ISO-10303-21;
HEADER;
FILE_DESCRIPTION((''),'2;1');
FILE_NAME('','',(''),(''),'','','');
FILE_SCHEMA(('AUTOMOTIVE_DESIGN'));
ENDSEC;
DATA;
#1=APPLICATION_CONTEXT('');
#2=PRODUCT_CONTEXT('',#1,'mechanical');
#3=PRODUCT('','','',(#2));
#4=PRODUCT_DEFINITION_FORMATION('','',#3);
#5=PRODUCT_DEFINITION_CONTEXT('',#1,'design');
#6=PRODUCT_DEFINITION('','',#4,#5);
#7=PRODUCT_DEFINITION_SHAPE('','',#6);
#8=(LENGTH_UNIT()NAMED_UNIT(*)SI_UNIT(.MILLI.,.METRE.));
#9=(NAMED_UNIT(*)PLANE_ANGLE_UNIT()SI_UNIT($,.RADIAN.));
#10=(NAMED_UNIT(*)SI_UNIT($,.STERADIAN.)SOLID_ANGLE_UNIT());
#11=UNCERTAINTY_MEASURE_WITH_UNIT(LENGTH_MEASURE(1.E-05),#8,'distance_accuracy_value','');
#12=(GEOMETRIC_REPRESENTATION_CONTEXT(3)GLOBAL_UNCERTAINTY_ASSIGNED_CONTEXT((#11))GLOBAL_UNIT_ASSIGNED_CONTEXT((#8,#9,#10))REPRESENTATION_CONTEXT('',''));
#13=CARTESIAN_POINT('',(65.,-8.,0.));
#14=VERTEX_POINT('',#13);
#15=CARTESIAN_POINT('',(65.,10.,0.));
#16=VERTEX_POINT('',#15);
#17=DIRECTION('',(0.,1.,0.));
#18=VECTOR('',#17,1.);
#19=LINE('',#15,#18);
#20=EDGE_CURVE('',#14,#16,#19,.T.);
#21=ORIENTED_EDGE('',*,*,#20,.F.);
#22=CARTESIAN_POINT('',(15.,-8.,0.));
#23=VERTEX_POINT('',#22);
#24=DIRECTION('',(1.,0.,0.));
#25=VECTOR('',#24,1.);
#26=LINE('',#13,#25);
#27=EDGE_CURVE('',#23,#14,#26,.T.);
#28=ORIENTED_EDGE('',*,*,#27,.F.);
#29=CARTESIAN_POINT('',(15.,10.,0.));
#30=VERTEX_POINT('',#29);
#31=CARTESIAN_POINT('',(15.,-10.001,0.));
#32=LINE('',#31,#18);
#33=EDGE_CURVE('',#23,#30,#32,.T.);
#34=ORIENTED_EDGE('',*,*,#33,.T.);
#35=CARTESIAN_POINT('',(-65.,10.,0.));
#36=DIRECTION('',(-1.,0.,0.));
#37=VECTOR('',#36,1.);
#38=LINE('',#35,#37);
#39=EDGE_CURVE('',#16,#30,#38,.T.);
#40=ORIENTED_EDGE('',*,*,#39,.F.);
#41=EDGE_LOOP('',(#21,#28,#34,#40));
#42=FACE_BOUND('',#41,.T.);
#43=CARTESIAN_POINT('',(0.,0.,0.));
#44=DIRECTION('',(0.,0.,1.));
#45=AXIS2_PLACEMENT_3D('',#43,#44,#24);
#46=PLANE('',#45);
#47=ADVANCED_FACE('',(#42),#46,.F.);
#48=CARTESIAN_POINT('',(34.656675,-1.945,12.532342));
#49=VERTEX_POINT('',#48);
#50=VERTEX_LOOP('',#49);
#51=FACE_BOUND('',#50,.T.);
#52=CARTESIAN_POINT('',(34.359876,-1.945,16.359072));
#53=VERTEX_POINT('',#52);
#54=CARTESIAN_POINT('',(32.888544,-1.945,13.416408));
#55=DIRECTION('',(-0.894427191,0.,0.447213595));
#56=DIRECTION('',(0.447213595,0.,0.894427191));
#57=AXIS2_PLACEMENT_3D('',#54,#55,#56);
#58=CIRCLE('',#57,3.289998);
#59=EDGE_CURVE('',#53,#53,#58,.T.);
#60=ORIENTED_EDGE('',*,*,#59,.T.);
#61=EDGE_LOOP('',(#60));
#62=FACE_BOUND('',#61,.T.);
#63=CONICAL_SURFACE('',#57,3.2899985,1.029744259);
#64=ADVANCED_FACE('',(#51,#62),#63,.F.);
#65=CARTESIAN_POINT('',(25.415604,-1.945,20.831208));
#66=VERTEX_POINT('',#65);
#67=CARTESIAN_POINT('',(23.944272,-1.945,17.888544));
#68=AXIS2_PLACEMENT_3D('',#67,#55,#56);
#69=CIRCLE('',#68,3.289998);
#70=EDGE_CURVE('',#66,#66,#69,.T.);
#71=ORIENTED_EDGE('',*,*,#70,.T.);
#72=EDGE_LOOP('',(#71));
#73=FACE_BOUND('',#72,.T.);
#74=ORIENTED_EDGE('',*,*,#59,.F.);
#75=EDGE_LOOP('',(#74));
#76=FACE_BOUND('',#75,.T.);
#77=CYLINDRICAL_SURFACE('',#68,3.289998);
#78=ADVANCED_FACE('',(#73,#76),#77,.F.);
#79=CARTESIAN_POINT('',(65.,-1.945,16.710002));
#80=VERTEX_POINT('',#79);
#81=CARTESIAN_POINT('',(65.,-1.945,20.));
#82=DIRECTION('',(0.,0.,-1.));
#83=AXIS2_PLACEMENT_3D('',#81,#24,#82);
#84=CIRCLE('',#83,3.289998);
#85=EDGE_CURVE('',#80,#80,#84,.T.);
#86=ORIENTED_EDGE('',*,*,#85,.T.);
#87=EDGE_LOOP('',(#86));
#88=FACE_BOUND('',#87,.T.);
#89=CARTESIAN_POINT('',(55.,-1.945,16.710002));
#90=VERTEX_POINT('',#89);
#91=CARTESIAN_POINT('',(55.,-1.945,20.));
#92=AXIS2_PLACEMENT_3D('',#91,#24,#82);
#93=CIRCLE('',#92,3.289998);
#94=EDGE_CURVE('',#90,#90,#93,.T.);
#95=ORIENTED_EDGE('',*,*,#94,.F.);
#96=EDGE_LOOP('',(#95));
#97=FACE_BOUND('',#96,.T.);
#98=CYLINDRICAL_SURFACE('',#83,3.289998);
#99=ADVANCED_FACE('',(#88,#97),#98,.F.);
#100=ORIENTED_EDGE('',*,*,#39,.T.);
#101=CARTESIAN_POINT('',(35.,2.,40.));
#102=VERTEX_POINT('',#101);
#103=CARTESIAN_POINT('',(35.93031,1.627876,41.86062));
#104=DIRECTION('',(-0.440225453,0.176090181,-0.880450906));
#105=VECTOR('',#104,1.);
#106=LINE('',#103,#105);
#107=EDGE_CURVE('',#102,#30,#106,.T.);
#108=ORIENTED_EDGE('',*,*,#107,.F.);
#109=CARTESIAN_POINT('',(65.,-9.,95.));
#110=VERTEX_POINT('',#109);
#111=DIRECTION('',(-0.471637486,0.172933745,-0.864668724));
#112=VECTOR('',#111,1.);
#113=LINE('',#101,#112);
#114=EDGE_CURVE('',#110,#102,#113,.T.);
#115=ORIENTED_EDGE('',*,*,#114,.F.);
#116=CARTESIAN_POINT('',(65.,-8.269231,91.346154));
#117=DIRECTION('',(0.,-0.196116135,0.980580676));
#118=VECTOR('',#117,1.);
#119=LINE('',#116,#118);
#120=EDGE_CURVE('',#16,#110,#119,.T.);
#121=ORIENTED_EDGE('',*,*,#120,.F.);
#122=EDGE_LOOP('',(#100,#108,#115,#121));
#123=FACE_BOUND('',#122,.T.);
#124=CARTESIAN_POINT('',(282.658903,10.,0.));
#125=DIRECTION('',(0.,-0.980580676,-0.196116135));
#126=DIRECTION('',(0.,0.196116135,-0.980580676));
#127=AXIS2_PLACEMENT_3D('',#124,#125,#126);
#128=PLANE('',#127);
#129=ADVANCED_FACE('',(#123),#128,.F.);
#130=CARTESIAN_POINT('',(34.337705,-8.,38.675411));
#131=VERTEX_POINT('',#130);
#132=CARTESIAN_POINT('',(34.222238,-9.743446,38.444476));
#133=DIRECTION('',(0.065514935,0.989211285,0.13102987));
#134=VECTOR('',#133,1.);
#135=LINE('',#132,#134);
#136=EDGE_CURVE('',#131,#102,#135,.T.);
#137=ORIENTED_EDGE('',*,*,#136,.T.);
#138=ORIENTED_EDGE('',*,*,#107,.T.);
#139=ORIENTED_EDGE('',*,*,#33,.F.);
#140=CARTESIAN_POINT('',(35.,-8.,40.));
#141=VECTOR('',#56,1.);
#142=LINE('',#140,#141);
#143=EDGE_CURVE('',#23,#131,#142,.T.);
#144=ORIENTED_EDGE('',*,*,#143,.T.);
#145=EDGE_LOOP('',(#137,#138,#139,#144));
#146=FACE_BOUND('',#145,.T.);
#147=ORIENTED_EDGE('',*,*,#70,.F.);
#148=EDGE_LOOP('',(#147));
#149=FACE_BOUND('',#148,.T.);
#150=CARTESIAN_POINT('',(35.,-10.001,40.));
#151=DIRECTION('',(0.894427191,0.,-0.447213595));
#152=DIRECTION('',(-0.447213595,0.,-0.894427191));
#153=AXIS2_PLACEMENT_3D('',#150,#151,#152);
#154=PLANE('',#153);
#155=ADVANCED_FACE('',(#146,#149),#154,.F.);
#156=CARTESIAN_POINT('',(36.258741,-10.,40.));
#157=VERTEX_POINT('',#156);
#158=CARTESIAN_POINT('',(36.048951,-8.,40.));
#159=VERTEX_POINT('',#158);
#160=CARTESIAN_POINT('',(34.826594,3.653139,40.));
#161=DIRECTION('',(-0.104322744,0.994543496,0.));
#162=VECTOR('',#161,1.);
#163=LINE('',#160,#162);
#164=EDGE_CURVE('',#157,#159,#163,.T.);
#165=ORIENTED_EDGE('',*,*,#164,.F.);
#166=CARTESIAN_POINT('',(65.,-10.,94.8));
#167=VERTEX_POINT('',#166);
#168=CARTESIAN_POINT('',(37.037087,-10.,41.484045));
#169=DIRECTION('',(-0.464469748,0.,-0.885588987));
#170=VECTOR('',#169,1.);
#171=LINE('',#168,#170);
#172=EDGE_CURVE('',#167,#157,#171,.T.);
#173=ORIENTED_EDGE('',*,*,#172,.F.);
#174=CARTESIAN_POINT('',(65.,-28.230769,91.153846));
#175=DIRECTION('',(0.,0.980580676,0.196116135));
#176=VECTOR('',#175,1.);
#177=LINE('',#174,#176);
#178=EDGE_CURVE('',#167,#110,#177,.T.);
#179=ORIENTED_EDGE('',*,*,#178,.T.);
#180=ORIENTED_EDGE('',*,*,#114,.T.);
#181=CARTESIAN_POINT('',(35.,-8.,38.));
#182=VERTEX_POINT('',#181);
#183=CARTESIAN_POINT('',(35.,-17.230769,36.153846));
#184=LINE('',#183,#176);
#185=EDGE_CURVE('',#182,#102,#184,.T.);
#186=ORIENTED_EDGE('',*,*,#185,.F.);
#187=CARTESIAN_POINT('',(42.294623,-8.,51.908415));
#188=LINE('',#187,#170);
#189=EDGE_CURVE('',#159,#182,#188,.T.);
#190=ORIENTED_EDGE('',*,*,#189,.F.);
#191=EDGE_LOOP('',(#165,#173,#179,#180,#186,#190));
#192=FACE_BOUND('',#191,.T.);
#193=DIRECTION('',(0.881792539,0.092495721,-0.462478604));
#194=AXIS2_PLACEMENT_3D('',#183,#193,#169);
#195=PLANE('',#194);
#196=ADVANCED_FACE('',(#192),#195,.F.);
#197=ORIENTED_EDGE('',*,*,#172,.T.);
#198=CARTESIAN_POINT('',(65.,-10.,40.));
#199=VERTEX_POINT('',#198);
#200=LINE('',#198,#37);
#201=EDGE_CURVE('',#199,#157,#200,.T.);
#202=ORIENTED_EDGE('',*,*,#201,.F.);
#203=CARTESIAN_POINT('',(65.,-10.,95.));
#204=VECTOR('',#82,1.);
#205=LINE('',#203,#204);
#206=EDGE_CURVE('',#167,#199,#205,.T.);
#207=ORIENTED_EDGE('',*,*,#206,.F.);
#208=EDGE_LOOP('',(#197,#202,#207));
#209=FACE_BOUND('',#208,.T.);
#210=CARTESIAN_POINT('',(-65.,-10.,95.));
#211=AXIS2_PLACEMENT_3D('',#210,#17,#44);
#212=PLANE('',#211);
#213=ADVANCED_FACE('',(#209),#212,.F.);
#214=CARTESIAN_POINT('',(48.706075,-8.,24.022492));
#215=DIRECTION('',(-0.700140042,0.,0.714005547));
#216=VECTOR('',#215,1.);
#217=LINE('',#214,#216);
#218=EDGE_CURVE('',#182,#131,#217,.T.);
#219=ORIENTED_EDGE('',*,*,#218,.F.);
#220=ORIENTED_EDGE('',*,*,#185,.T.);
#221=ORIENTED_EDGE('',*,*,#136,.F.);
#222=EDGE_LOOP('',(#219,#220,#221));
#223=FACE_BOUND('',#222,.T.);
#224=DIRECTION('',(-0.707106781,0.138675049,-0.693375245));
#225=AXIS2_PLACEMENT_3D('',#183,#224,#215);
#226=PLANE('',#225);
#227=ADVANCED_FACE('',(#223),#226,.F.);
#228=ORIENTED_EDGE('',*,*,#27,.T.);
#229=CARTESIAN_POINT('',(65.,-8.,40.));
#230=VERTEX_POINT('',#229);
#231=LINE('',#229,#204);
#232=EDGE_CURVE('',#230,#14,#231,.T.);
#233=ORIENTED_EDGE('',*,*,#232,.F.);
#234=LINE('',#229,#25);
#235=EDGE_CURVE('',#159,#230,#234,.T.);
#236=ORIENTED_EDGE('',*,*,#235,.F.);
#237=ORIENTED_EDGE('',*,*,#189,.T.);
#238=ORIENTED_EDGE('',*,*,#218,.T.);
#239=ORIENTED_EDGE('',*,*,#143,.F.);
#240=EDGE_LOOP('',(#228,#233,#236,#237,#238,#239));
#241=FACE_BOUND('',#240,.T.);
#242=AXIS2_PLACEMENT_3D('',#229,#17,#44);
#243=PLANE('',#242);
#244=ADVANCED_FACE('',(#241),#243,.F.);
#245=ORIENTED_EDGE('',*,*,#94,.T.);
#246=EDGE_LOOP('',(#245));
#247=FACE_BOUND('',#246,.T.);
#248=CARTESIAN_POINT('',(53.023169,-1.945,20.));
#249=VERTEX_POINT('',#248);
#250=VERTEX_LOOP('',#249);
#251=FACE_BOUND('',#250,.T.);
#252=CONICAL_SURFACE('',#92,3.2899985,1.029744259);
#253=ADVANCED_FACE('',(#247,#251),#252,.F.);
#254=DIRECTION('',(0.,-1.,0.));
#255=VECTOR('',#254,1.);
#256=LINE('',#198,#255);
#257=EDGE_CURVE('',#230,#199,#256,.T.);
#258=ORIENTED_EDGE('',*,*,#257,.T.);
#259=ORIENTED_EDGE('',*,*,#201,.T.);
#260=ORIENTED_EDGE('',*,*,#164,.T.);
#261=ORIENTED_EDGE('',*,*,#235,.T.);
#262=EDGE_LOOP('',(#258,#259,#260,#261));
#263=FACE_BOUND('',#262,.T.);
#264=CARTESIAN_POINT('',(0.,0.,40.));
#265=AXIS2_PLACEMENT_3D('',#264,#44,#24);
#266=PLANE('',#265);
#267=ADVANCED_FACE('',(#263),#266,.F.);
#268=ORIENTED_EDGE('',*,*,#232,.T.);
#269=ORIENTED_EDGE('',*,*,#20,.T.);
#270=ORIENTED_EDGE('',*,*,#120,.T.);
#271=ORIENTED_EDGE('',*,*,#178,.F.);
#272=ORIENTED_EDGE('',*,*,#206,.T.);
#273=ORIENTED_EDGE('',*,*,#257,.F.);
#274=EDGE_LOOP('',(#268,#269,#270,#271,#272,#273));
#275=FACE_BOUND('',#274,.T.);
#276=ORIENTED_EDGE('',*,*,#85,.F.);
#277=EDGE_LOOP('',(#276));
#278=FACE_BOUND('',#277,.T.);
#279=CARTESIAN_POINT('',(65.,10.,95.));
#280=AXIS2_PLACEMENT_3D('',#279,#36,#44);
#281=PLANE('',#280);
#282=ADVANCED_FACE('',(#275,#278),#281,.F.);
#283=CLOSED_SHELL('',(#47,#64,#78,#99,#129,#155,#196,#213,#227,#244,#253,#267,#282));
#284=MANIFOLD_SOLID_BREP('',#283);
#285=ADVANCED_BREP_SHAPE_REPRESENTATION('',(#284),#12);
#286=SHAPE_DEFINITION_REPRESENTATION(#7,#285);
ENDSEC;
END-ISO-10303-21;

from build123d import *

# Parameters (mm, degrees)
ESBO_O1_W                                      = 130
ESBO_O1_H                                      = 20
RESSALTO_EXTRUS_O1_DEPTH                       = 95
CORTE_EXTRUS_O2_REACH                          = 22
CORTE_EXTRUS_O3_DEPTH                          = 1
CORTE_EXTRUS_O3_DEPTH_BACK                     = 61
BROCA_DE_ROSQUEAR_DE_CANO_PARA_TARRAXA_D_D     = 6.579997
BROCA_DE_ROSQUEAR_DE_CANO_PARA_TARRAXA_D_DEPTH = 10
BROCA_DE_ROSQUEAR_DE_CANO_PARA_TARRAXA_D_TIP   = 1.976830535
BROCA_DE_ROSQUEAR_DE_CANO_PARA_TARRA_2_D       = 6.579997
BROCA_DE_ROSQUEAR_DE_CANO_PARA_TARRA_2_DEPTH   = 10
BROCA_DE_ROSQUEAR_DE_CANO_PARA_TARRA_2_TIP     = 1.976830535
ESBO_O12_W                                     = 50
ESBO_O12_H                                     = 2
CORTE_EXTRUS_O4_DEPTH                          = 40
CORTE_EXTRUS_O5_DEPTH                          = 20.611613514


with BuildPart() as part:
    # Esboço1 → Ressalto-extrusão1 (new body)
    with BuildSketch(Plane.XY):
        Rectangle(ESBO_O1_W, ESBO_O1_H)
    extrude(amount=RESSALTO_EXTRUS_O1_DEPTH)

    # Esboço2 → Corte-extrusão2 (cut, up to next)
    with BuildSketch(Plane(origin=(0, 10, 0), x_dir=(1, 0, 0), z_dir=(0, 1, 0)), mode=Mode.PRIVATE) as corte_extrus_o2_sk1:
        Polygon((15, 0), (-65, 0), (-65, -95), (5, -95), (5, -41), (35, -41), (35, -40), align=None)
    corte_extrus_o2_tool1 = extrude(corte_extrus_o2_sk1.sketch, amount=-CORTE_EXTRUS_O2_REACH, mode=Mode.PRIVATE) & part.part
    add(corte_extrus_o2_tool1.solids().sort_by_distance((-24.897504, 10, 44.887255))[0], mode=Mode.SUBTRACT)

    # Esboço3 → Corte-extrusão3 (cut, two sides)
    with BuildSketch(Plane(origin=(65, 0, 0), x_dir=(0, 0, -1), z_dir=(1, 0, 0))) as corte_extrus_o3_sk:
        Polygon((200.200134404, 50.040026881), (0, 10), (-95, -9), (-295.200134404, -49.040026881), (-375.280188165, 351.360241926), (120.120080642, 450.440295688), align=None)
    extrude(amount=CORTE_EXTRUS_O3_DEPTH, mode=Mode.SUBTRACT)
    extrude(corte_extrus_o3_sk.sketch, amount=-CORTE_EXTRUS_O3_DEPTH_BACK, mode=Mode.SUBTRACT)

    # Broca de rosquear de cano para tarraxa d
    with Locations(Plane(origin=(65, 0, 0), x_dir=(0, 0, -1), z_dir=(1, 0, 0))):
        with Locations((-20, -1.945)):
            Hole(BROCA_DE_ROSQUEAR_DE_CANO_PARA_TARRAXA_D_D / 2, depth=BROCA_DE_ROSQUEAR_DE_CANO_PARA_TARRAXA_D_DEPTH)
            with Locations((0, 0, -(BROCA_DE_ROSQUEAR_DE_CANO_PARA_TARRAXA_D_DEPTH + BROCA_DE_ROSQUEAR_DE_CANO_PARA_TARRAXA_D_TIP / 2))):  # 118° drill point
                Cone(0, BROCA_DE_ROSQUEAR_DE_CANO_PARA_TARRAXA_D_D / 2, BROCA_DE_ROSQUEAR_DE_CANO_PARA_TARRAXA_D_TIP, mode=Mode.SUBTRACT)

    # Broca de rosquear de cano para tarra 2
    with Locations(Plane(origin=(12, 0, -6), x_dir=(0.447213595, 0, 0.894427191), z_dir=(-0.894427191, 0, 0.447213595))):
        with Locations((26.708203932, -1.945)):
            Hole(BROCA_DE_ROSQUEAR_DE_CANO_PARA_TARRA_2_D / 2, depth=BROCA_DE_ROSQUEAR_DE_CANO_PARA_TARRA_2_DEPTH)
            with Locations((0, 0, -(BROCA_DE_ROSQUEAR_DE_CANO_PARA_TARRA_2_DEPTH + BROCA_DE_ROSQUEAR_DE_CANO_PARA_TARRA_2_TIP / 2))):  # 118° drill point
                Cone(0, BROCA_DE_ROSQUEAR_DE_CANO_PARA_TARRA_2_D / 2, BROCA_DE_ROSQUEAR_DE_CANO_PARA_TARRA_2_TIP, mode=Mode.SUBTRACT)

    # Esboço12 → Corte-extrusão4 (cut)
    with BuildSketch(Plane(origin=(0, 0, 0), x_dir=(-1, 0, 0), z_dir=(0, 0, -1))):
        with Locations((-40, -9)):
            Rectangle(ESBO_O12_W, ESBO_O12_H)
    extrude(amount=-CORTE_EXTRUS_O4_DEPTH, mode=Mode.SUBTRACT)

    # Esboço13 → Corte-extrusão5 (cut, through all)
    with BuildSketch(Plane(origin=(0, 9.615384615, 1.923076923), x_dir=(1, 0, 0), z_dir=(0, 0.980580676, 0.196116135))):
        Polygon((35, -38.830994757), (65, -94.920209407), (66.558450481, -100.096318767), (-6.379545029, -94.920209407), (-1.820755469, -30.681038758), (34.269484804, -39.561509954), align=None)
    extrude(amount=-CORTE_EXTRUS_O5_DEPTH, mode=Mode.SUBTRACT)


solid = part.part
